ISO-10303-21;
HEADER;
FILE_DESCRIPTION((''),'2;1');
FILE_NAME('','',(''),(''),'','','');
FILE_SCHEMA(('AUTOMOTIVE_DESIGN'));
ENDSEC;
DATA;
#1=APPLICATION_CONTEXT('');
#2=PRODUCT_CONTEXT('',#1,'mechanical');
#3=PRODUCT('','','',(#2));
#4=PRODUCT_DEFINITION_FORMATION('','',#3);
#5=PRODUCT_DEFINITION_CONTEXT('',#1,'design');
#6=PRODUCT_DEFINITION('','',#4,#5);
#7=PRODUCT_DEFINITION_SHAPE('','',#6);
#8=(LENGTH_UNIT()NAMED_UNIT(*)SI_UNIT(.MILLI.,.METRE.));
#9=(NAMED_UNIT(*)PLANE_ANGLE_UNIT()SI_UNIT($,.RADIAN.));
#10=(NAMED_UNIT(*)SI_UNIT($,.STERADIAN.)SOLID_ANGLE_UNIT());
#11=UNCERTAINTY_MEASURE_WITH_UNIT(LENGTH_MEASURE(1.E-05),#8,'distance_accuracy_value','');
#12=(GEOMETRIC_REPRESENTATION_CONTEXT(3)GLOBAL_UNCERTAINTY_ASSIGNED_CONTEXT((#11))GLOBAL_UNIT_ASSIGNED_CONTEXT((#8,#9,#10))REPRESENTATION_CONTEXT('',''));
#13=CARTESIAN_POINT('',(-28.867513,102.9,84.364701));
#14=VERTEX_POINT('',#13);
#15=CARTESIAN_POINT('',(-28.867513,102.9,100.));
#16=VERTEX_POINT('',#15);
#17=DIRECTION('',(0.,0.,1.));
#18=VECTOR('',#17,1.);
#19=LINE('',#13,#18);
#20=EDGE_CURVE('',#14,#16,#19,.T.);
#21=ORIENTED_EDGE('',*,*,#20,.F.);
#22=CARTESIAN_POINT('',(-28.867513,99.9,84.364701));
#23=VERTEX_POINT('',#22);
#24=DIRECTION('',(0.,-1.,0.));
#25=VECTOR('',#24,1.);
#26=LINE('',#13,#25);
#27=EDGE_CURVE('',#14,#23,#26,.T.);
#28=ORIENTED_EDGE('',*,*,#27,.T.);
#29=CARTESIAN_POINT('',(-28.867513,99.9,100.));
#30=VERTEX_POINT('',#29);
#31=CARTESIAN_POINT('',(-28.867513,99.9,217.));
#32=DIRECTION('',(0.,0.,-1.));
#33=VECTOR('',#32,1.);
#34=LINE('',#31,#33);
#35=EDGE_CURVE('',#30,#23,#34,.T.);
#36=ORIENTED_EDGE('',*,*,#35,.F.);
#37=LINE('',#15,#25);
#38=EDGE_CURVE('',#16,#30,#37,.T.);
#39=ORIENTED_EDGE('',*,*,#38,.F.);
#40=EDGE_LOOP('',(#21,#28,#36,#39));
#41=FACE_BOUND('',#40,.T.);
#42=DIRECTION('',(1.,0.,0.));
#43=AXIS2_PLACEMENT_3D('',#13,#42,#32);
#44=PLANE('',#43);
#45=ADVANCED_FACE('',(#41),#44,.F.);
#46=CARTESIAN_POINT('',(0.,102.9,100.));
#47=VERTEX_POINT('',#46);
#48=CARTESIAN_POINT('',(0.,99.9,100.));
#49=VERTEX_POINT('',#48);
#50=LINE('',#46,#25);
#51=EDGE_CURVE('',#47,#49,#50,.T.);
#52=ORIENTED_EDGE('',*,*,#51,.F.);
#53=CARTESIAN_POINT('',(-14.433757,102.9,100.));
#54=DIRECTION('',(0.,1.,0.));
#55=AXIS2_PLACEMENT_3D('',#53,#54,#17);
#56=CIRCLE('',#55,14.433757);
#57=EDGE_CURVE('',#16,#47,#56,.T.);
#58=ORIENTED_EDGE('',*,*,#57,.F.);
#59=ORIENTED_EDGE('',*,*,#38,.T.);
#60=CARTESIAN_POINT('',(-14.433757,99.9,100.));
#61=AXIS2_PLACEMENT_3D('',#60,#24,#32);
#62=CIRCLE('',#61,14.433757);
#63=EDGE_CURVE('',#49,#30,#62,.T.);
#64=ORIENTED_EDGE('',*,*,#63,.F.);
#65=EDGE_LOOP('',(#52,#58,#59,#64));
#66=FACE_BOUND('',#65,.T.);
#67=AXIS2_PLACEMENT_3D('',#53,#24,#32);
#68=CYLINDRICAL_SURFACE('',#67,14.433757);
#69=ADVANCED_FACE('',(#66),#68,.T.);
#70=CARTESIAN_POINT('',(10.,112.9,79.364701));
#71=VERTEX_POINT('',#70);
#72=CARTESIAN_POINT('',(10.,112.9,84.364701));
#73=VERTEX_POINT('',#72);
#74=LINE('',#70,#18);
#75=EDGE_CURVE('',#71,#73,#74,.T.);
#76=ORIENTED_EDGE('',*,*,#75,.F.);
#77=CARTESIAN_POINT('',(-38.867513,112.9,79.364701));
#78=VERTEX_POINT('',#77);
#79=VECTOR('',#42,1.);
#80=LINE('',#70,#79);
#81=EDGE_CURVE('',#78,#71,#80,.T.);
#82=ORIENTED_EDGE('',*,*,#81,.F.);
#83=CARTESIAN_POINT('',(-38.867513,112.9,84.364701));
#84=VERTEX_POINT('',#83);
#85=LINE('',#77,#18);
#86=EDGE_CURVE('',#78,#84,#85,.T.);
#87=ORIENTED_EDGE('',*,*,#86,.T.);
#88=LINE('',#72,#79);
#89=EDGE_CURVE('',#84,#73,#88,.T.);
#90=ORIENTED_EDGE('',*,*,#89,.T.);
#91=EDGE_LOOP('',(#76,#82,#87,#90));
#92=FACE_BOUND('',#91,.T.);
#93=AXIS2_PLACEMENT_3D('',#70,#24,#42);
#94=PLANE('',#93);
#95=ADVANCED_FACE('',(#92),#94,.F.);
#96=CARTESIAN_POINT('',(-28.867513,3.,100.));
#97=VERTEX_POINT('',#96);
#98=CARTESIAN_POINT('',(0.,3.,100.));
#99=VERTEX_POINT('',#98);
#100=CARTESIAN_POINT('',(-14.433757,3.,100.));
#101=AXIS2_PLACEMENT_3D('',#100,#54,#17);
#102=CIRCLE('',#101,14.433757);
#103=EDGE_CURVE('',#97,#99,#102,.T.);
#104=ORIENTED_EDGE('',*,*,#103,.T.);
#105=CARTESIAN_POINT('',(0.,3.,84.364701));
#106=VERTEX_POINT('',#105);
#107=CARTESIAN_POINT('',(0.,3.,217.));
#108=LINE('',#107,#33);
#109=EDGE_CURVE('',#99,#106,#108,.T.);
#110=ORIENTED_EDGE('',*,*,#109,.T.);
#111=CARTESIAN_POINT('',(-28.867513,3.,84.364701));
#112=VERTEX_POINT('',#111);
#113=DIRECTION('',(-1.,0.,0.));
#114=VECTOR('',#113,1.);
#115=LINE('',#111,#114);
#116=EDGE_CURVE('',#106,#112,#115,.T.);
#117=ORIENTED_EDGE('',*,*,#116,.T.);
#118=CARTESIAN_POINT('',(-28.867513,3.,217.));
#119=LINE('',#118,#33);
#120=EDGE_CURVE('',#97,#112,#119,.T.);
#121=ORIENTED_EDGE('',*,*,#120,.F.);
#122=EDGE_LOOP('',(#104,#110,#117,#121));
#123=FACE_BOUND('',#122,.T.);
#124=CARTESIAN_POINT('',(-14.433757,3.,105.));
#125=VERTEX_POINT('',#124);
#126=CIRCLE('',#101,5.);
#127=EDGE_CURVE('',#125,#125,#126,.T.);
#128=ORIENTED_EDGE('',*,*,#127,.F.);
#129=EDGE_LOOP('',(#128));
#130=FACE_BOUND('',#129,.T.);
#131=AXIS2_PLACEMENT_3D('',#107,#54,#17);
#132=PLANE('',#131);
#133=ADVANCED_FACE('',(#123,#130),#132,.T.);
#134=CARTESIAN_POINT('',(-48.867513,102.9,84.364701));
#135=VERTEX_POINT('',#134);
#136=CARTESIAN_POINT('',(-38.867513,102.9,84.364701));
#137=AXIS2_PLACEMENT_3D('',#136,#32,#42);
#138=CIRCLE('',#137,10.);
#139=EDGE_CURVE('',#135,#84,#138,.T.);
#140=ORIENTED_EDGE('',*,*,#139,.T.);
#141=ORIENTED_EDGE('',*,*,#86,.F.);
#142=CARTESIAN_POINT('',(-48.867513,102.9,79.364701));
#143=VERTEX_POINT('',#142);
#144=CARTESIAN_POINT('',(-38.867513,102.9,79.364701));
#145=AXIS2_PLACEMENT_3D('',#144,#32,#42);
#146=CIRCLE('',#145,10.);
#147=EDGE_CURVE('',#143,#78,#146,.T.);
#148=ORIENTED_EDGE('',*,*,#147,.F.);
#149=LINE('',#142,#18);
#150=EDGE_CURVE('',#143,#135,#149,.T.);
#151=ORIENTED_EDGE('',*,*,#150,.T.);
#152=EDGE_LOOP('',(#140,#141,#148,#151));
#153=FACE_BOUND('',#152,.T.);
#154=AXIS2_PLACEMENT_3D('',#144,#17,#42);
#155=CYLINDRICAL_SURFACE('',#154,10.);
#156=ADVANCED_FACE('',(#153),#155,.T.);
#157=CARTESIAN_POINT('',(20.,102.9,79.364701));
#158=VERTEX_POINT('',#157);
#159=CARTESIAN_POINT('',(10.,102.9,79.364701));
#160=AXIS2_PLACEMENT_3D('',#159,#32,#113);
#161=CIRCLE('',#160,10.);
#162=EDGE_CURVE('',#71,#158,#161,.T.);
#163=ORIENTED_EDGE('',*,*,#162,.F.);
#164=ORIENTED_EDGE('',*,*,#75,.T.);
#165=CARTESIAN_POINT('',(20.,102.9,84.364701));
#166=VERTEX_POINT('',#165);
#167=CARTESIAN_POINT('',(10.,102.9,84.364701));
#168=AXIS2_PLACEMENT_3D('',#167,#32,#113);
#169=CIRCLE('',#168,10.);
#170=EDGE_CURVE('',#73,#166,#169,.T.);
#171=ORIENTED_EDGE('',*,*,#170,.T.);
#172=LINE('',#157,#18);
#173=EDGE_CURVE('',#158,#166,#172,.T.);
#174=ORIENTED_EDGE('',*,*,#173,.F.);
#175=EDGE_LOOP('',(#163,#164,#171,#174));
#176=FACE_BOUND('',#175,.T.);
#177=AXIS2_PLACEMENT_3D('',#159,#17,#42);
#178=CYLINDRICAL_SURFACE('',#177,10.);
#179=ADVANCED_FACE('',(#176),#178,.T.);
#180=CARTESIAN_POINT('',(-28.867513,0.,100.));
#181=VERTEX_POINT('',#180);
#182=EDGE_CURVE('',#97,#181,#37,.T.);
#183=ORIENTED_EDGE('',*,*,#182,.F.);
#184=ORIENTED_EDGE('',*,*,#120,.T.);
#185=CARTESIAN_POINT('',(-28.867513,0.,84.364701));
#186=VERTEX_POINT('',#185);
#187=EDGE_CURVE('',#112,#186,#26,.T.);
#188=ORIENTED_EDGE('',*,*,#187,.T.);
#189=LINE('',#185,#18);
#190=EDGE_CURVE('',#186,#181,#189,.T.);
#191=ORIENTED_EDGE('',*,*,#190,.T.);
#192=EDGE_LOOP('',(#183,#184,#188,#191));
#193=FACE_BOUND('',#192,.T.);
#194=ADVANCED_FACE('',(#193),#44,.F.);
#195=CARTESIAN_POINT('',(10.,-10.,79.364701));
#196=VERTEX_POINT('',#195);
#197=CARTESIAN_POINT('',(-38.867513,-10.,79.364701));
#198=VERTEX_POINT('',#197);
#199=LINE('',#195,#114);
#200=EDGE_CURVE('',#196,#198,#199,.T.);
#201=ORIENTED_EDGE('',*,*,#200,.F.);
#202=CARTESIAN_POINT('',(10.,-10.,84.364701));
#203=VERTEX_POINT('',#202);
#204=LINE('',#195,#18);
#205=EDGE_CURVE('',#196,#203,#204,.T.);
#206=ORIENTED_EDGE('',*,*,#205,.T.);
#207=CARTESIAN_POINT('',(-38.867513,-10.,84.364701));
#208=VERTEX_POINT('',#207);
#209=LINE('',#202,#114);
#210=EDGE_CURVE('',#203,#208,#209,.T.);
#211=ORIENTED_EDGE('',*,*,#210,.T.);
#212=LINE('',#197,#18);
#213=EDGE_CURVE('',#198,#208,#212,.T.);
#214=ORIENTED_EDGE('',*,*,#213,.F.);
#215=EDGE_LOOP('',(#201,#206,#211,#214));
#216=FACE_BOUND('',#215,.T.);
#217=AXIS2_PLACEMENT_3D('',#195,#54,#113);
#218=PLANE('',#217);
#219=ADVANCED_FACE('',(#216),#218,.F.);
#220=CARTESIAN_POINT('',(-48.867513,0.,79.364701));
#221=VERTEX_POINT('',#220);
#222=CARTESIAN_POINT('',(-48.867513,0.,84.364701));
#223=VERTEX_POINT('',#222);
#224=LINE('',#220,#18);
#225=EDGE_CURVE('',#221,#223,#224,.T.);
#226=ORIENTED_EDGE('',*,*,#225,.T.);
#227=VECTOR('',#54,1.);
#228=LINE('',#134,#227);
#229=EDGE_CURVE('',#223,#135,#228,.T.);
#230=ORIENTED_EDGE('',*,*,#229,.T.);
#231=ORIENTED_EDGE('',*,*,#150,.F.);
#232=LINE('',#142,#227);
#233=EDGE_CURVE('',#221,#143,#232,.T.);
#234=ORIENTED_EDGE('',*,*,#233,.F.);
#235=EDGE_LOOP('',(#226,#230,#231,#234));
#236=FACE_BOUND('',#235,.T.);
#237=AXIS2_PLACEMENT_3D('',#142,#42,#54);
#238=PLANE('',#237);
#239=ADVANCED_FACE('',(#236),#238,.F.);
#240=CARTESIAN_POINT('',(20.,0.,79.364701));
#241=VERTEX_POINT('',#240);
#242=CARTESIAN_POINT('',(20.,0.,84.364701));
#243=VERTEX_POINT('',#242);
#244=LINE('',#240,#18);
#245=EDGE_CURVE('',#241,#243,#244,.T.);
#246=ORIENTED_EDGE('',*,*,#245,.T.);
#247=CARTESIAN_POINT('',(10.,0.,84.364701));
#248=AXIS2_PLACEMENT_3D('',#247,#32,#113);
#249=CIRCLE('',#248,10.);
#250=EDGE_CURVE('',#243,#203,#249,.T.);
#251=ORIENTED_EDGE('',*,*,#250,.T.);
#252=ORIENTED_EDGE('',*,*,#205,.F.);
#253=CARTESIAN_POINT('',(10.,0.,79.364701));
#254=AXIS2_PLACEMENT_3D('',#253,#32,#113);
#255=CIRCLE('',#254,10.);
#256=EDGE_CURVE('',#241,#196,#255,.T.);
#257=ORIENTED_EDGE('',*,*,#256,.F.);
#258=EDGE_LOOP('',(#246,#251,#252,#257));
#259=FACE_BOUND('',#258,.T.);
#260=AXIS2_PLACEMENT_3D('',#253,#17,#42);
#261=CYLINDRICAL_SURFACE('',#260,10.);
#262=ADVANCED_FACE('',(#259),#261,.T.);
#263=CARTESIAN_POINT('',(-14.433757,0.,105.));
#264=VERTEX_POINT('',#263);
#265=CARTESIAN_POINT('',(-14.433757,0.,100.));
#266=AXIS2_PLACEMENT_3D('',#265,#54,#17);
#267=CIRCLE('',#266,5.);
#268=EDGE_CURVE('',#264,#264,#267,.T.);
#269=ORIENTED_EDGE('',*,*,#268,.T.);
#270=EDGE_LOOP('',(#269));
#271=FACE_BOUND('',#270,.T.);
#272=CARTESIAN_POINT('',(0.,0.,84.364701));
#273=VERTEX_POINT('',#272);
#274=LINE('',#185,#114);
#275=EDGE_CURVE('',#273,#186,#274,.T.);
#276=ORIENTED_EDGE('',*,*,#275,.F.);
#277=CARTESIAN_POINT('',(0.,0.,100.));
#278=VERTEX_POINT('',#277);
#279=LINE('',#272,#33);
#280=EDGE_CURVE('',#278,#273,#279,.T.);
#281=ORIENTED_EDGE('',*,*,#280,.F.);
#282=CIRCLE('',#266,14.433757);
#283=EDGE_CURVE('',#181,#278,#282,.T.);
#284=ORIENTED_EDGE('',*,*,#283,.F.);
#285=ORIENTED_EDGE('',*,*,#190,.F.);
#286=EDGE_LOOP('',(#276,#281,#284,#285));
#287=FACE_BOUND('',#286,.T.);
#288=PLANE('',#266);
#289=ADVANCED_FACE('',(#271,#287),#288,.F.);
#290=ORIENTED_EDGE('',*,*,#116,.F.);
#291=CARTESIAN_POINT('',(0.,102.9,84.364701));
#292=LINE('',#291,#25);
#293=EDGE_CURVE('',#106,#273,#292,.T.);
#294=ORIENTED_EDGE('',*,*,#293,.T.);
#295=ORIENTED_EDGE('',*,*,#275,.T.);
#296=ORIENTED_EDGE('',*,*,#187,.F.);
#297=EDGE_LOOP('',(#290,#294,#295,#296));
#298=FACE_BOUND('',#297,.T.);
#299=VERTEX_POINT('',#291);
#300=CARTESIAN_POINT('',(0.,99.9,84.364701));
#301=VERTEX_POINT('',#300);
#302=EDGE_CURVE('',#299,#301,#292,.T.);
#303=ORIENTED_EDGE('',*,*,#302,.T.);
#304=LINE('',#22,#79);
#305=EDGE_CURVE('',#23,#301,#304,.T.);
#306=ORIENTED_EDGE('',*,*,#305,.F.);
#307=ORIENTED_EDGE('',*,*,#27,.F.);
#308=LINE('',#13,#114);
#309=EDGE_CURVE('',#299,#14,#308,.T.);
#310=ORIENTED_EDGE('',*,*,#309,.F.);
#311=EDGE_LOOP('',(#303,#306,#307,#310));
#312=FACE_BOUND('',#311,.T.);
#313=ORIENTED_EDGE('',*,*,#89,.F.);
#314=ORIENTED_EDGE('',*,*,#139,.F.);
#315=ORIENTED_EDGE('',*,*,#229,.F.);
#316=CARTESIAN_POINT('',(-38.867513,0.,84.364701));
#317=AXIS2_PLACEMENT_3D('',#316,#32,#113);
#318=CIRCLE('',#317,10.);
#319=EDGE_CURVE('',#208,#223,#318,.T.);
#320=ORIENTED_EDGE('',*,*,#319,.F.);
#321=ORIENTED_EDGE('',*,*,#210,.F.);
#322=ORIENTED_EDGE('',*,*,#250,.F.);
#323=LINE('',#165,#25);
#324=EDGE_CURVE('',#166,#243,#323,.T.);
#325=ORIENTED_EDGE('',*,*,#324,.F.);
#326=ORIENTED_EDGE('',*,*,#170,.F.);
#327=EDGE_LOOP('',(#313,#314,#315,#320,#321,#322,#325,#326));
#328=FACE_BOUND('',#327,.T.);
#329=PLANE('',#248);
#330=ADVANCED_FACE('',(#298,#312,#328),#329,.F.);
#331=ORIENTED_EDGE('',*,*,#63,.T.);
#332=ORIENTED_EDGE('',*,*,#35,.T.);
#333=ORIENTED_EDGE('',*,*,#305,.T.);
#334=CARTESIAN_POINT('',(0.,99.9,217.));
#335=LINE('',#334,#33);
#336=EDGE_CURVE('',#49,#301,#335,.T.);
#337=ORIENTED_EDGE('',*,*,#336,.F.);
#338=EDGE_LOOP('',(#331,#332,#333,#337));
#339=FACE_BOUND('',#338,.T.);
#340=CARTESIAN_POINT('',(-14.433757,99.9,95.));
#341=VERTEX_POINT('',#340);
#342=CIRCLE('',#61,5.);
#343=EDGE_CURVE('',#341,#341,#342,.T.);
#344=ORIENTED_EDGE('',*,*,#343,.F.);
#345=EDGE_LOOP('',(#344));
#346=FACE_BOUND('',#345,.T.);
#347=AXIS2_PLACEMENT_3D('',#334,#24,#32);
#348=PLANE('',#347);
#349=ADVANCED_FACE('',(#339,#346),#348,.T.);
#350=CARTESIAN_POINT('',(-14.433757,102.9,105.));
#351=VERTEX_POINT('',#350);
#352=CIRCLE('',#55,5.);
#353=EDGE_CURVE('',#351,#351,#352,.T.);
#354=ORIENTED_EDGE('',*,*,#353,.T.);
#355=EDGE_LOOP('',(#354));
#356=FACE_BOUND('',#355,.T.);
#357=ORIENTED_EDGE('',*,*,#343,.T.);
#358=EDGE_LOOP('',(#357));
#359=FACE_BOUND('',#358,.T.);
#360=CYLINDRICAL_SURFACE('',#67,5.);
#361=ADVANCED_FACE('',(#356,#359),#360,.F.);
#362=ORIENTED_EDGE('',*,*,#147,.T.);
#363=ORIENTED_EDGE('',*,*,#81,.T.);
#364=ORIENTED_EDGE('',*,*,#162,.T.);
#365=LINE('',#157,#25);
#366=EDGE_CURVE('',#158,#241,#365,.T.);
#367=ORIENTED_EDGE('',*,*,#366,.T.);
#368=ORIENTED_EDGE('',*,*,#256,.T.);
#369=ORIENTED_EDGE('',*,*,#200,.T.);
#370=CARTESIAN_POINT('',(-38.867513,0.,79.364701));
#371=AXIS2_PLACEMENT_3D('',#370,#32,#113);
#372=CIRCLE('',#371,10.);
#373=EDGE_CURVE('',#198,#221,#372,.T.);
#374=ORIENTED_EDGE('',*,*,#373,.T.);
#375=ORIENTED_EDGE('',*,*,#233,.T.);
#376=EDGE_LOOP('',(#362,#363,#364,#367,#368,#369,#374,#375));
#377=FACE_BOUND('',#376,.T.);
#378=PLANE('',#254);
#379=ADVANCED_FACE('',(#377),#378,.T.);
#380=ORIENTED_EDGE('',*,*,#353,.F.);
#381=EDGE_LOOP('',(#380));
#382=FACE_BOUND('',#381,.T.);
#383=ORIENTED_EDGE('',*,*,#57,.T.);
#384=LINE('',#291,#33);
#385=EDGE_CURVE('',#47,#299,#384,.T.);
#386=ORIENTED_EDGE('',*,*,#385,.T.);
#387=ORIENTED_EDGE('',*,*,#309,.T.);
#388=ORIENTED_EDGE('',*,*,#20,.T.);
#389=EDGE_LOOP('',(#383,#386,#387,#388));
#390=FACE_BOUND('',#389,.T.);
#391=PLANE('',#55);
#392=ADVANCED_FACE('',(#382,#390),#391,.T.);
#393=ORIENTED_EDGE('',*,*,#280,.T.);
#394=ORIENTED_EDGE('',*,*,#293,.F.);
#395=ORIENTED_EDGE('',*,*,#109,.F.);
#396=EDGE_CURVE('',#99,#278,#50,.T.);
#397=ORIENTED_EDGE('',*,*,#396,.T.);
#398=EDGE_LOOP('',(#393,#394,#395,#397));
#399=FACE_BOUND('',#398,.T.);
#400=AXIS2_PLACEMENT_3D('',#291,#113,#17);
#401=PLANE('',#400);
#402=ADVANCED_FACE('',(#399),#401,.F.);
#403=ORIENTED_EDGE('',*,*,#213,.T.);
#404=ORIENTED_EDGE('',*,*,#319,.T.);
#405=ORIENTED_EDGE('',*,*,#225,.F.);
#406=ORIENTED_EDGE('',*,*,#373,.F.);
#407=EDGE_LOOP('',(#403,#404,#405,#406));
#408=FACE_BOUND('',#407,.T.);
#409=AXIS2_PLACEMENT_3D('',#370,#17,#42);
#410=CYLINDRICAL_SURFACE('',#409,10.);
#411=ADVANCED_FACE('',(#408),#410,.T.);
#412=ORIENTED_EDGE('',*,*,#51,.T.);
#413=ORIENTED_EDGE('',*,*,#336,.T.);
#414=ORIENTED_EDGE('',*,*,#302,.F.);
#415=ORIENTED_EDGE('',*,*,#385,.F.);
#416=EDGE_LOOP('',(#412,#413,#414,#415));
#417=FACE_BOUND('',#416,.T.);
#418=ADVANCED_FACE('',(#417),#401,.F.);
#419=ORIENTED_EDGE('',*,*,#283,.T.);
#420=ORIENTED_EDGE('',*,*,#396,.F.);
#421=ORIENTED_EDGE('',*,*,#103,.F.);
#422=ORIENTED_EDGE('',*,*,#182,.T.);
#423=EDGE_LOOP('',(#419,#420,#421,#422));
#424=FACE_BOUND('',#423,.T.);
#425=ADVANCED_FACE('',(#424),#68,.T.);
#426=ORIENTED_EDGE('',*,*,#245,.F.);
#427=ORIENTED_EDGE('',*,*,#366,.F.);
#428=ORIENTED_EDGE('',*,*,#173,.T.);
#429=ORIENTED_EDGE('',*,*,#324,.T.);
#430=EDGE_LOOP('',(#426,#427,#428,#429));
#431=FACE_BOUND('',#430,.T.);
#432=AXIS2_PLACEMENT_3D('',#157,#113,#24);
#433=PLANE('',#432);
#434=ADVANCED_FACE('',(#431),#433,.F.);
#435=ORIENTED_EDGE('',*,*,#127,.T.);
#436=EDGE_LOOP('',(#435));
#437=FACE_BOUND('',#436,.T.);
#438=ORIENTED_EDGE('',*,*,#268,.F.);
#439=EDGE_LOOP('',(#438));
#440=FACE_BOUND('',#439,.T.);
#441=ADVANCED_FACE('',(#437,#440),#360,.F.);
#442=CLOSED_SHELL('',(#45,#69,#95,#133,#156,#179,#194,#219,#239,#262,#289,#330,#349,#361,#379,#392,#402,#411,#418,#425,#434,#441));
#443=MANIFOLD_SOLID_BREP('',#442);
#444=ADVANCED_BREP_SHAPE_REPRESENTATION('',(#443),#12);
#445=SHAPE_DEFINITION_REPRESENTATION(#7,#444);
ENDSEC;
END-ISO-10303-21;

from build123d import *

# Parameters (mm, degrees)
SKETCH1_R           = 5
BOSS_EXTRUDE1_DEPTH = 102.9
SKETCH2_W           = 28.867513459
SKETCH2_H           = 96.9
CUT_EXTRUDE1_DEPTH  = 217
BOSS_EXTRUDE2_DEPTH = 5


with BuildPart() as part:
    # Sketch1 → Boss-Extrude1 (new body)
    with BuildSketch(Plane(origin=(0, 0, 0), x_dir=(1, 0, 0), z_dir=(0, 1, 0))):
        with BuildLine():
            Line((-28.867513459, -84.364700653), (0, -84.364700653))
            Line((0, -84.364700653), (0, -100))
            ThreePointArc((0, -100), (-14.43375673, -114.43375673), (-28.867513459, -100))
            Line((-28.867513459, -100), (-28.867513459, -84.364700653))
        make_face()
        with Locations(Location((-14.43375673, -100, 0), (0, 0, 270))):
            Circle(SKETCH1_R, mode=Mode.SUBTRACT)
    extrude(amount=BOSS_EXTRUDE1_DEPTH)

    # Sketch2 → Cut-Extrude1 (cut)
    with BuildSketch(Plane.XY):
        with Locations((-14.43375673, 51.45)):
            Rectangle(SKETCH2_W, SKETCH2_H)
    extrude(amount=CUT_EXTRUDE1_DEPTH, mode=Mode.SUBTRACT)


with BuildPart() as cut_extrude1_piece_1:
    # of the separate pieces the step leaves, piece 1, a body of its own (cut_extrude1_pieces)
    add(part.part.solids().sort_by_distance((-28.867513459, 0, 100))[0])



with BuildPart() as cut_extrude1_piece_2:
    # of the separate pieces the step leaves, piece 2, a body of its own (cut_extrude1_pieces)
    add(part.part.solids().sort_by_distance((-28.867513459, 99.9, 84.364700653))[0])


with BuildPart() as cut_extrude1_piece_1_1:
    add(cut_extrude1_piece_1.part)

    add(cut_extrude1_piece_2.part)  # Boss-Extrude2 merges Cut-Extrude1 piece 2
    # Sketch5 → Boss-Extrude2 (add)
    with BuildSketch(Plane(origin=(0, 0, 84.364700653), x_dir=(-1, 0, 0), z_dir=(0, 0, -1))):
        with BuildLine():
            Line((-10, 112.9), (38.867513459, 112.9))
            ThreePointArc((38.867513459, 112.9), (45.938581271, 109.971067812), (48.867513459, 102.9))
            Line((48.867513459, 102.9), (48.867513459, 0))
            ThreePointArc((48.867513459, 0), (45.938581271, -7.071067812), (38.867513459, -10))
            Line((38.867513459, -10), (-10, -10))
            ThreePointArc((-10, -10), (-17.071067812, -7.071067812), (-20, 0))
            Line((-20, 0), (-20, 102.9))
            ThreePointArc((-20, 102.9), (-17.071067812, 109.971067812), (-10, 112.9))
        make_face()
    extrude(amount=BOSS_EXTRUDE2_DEPTH)


solid = cut_extrude1_piece_1_1.part
